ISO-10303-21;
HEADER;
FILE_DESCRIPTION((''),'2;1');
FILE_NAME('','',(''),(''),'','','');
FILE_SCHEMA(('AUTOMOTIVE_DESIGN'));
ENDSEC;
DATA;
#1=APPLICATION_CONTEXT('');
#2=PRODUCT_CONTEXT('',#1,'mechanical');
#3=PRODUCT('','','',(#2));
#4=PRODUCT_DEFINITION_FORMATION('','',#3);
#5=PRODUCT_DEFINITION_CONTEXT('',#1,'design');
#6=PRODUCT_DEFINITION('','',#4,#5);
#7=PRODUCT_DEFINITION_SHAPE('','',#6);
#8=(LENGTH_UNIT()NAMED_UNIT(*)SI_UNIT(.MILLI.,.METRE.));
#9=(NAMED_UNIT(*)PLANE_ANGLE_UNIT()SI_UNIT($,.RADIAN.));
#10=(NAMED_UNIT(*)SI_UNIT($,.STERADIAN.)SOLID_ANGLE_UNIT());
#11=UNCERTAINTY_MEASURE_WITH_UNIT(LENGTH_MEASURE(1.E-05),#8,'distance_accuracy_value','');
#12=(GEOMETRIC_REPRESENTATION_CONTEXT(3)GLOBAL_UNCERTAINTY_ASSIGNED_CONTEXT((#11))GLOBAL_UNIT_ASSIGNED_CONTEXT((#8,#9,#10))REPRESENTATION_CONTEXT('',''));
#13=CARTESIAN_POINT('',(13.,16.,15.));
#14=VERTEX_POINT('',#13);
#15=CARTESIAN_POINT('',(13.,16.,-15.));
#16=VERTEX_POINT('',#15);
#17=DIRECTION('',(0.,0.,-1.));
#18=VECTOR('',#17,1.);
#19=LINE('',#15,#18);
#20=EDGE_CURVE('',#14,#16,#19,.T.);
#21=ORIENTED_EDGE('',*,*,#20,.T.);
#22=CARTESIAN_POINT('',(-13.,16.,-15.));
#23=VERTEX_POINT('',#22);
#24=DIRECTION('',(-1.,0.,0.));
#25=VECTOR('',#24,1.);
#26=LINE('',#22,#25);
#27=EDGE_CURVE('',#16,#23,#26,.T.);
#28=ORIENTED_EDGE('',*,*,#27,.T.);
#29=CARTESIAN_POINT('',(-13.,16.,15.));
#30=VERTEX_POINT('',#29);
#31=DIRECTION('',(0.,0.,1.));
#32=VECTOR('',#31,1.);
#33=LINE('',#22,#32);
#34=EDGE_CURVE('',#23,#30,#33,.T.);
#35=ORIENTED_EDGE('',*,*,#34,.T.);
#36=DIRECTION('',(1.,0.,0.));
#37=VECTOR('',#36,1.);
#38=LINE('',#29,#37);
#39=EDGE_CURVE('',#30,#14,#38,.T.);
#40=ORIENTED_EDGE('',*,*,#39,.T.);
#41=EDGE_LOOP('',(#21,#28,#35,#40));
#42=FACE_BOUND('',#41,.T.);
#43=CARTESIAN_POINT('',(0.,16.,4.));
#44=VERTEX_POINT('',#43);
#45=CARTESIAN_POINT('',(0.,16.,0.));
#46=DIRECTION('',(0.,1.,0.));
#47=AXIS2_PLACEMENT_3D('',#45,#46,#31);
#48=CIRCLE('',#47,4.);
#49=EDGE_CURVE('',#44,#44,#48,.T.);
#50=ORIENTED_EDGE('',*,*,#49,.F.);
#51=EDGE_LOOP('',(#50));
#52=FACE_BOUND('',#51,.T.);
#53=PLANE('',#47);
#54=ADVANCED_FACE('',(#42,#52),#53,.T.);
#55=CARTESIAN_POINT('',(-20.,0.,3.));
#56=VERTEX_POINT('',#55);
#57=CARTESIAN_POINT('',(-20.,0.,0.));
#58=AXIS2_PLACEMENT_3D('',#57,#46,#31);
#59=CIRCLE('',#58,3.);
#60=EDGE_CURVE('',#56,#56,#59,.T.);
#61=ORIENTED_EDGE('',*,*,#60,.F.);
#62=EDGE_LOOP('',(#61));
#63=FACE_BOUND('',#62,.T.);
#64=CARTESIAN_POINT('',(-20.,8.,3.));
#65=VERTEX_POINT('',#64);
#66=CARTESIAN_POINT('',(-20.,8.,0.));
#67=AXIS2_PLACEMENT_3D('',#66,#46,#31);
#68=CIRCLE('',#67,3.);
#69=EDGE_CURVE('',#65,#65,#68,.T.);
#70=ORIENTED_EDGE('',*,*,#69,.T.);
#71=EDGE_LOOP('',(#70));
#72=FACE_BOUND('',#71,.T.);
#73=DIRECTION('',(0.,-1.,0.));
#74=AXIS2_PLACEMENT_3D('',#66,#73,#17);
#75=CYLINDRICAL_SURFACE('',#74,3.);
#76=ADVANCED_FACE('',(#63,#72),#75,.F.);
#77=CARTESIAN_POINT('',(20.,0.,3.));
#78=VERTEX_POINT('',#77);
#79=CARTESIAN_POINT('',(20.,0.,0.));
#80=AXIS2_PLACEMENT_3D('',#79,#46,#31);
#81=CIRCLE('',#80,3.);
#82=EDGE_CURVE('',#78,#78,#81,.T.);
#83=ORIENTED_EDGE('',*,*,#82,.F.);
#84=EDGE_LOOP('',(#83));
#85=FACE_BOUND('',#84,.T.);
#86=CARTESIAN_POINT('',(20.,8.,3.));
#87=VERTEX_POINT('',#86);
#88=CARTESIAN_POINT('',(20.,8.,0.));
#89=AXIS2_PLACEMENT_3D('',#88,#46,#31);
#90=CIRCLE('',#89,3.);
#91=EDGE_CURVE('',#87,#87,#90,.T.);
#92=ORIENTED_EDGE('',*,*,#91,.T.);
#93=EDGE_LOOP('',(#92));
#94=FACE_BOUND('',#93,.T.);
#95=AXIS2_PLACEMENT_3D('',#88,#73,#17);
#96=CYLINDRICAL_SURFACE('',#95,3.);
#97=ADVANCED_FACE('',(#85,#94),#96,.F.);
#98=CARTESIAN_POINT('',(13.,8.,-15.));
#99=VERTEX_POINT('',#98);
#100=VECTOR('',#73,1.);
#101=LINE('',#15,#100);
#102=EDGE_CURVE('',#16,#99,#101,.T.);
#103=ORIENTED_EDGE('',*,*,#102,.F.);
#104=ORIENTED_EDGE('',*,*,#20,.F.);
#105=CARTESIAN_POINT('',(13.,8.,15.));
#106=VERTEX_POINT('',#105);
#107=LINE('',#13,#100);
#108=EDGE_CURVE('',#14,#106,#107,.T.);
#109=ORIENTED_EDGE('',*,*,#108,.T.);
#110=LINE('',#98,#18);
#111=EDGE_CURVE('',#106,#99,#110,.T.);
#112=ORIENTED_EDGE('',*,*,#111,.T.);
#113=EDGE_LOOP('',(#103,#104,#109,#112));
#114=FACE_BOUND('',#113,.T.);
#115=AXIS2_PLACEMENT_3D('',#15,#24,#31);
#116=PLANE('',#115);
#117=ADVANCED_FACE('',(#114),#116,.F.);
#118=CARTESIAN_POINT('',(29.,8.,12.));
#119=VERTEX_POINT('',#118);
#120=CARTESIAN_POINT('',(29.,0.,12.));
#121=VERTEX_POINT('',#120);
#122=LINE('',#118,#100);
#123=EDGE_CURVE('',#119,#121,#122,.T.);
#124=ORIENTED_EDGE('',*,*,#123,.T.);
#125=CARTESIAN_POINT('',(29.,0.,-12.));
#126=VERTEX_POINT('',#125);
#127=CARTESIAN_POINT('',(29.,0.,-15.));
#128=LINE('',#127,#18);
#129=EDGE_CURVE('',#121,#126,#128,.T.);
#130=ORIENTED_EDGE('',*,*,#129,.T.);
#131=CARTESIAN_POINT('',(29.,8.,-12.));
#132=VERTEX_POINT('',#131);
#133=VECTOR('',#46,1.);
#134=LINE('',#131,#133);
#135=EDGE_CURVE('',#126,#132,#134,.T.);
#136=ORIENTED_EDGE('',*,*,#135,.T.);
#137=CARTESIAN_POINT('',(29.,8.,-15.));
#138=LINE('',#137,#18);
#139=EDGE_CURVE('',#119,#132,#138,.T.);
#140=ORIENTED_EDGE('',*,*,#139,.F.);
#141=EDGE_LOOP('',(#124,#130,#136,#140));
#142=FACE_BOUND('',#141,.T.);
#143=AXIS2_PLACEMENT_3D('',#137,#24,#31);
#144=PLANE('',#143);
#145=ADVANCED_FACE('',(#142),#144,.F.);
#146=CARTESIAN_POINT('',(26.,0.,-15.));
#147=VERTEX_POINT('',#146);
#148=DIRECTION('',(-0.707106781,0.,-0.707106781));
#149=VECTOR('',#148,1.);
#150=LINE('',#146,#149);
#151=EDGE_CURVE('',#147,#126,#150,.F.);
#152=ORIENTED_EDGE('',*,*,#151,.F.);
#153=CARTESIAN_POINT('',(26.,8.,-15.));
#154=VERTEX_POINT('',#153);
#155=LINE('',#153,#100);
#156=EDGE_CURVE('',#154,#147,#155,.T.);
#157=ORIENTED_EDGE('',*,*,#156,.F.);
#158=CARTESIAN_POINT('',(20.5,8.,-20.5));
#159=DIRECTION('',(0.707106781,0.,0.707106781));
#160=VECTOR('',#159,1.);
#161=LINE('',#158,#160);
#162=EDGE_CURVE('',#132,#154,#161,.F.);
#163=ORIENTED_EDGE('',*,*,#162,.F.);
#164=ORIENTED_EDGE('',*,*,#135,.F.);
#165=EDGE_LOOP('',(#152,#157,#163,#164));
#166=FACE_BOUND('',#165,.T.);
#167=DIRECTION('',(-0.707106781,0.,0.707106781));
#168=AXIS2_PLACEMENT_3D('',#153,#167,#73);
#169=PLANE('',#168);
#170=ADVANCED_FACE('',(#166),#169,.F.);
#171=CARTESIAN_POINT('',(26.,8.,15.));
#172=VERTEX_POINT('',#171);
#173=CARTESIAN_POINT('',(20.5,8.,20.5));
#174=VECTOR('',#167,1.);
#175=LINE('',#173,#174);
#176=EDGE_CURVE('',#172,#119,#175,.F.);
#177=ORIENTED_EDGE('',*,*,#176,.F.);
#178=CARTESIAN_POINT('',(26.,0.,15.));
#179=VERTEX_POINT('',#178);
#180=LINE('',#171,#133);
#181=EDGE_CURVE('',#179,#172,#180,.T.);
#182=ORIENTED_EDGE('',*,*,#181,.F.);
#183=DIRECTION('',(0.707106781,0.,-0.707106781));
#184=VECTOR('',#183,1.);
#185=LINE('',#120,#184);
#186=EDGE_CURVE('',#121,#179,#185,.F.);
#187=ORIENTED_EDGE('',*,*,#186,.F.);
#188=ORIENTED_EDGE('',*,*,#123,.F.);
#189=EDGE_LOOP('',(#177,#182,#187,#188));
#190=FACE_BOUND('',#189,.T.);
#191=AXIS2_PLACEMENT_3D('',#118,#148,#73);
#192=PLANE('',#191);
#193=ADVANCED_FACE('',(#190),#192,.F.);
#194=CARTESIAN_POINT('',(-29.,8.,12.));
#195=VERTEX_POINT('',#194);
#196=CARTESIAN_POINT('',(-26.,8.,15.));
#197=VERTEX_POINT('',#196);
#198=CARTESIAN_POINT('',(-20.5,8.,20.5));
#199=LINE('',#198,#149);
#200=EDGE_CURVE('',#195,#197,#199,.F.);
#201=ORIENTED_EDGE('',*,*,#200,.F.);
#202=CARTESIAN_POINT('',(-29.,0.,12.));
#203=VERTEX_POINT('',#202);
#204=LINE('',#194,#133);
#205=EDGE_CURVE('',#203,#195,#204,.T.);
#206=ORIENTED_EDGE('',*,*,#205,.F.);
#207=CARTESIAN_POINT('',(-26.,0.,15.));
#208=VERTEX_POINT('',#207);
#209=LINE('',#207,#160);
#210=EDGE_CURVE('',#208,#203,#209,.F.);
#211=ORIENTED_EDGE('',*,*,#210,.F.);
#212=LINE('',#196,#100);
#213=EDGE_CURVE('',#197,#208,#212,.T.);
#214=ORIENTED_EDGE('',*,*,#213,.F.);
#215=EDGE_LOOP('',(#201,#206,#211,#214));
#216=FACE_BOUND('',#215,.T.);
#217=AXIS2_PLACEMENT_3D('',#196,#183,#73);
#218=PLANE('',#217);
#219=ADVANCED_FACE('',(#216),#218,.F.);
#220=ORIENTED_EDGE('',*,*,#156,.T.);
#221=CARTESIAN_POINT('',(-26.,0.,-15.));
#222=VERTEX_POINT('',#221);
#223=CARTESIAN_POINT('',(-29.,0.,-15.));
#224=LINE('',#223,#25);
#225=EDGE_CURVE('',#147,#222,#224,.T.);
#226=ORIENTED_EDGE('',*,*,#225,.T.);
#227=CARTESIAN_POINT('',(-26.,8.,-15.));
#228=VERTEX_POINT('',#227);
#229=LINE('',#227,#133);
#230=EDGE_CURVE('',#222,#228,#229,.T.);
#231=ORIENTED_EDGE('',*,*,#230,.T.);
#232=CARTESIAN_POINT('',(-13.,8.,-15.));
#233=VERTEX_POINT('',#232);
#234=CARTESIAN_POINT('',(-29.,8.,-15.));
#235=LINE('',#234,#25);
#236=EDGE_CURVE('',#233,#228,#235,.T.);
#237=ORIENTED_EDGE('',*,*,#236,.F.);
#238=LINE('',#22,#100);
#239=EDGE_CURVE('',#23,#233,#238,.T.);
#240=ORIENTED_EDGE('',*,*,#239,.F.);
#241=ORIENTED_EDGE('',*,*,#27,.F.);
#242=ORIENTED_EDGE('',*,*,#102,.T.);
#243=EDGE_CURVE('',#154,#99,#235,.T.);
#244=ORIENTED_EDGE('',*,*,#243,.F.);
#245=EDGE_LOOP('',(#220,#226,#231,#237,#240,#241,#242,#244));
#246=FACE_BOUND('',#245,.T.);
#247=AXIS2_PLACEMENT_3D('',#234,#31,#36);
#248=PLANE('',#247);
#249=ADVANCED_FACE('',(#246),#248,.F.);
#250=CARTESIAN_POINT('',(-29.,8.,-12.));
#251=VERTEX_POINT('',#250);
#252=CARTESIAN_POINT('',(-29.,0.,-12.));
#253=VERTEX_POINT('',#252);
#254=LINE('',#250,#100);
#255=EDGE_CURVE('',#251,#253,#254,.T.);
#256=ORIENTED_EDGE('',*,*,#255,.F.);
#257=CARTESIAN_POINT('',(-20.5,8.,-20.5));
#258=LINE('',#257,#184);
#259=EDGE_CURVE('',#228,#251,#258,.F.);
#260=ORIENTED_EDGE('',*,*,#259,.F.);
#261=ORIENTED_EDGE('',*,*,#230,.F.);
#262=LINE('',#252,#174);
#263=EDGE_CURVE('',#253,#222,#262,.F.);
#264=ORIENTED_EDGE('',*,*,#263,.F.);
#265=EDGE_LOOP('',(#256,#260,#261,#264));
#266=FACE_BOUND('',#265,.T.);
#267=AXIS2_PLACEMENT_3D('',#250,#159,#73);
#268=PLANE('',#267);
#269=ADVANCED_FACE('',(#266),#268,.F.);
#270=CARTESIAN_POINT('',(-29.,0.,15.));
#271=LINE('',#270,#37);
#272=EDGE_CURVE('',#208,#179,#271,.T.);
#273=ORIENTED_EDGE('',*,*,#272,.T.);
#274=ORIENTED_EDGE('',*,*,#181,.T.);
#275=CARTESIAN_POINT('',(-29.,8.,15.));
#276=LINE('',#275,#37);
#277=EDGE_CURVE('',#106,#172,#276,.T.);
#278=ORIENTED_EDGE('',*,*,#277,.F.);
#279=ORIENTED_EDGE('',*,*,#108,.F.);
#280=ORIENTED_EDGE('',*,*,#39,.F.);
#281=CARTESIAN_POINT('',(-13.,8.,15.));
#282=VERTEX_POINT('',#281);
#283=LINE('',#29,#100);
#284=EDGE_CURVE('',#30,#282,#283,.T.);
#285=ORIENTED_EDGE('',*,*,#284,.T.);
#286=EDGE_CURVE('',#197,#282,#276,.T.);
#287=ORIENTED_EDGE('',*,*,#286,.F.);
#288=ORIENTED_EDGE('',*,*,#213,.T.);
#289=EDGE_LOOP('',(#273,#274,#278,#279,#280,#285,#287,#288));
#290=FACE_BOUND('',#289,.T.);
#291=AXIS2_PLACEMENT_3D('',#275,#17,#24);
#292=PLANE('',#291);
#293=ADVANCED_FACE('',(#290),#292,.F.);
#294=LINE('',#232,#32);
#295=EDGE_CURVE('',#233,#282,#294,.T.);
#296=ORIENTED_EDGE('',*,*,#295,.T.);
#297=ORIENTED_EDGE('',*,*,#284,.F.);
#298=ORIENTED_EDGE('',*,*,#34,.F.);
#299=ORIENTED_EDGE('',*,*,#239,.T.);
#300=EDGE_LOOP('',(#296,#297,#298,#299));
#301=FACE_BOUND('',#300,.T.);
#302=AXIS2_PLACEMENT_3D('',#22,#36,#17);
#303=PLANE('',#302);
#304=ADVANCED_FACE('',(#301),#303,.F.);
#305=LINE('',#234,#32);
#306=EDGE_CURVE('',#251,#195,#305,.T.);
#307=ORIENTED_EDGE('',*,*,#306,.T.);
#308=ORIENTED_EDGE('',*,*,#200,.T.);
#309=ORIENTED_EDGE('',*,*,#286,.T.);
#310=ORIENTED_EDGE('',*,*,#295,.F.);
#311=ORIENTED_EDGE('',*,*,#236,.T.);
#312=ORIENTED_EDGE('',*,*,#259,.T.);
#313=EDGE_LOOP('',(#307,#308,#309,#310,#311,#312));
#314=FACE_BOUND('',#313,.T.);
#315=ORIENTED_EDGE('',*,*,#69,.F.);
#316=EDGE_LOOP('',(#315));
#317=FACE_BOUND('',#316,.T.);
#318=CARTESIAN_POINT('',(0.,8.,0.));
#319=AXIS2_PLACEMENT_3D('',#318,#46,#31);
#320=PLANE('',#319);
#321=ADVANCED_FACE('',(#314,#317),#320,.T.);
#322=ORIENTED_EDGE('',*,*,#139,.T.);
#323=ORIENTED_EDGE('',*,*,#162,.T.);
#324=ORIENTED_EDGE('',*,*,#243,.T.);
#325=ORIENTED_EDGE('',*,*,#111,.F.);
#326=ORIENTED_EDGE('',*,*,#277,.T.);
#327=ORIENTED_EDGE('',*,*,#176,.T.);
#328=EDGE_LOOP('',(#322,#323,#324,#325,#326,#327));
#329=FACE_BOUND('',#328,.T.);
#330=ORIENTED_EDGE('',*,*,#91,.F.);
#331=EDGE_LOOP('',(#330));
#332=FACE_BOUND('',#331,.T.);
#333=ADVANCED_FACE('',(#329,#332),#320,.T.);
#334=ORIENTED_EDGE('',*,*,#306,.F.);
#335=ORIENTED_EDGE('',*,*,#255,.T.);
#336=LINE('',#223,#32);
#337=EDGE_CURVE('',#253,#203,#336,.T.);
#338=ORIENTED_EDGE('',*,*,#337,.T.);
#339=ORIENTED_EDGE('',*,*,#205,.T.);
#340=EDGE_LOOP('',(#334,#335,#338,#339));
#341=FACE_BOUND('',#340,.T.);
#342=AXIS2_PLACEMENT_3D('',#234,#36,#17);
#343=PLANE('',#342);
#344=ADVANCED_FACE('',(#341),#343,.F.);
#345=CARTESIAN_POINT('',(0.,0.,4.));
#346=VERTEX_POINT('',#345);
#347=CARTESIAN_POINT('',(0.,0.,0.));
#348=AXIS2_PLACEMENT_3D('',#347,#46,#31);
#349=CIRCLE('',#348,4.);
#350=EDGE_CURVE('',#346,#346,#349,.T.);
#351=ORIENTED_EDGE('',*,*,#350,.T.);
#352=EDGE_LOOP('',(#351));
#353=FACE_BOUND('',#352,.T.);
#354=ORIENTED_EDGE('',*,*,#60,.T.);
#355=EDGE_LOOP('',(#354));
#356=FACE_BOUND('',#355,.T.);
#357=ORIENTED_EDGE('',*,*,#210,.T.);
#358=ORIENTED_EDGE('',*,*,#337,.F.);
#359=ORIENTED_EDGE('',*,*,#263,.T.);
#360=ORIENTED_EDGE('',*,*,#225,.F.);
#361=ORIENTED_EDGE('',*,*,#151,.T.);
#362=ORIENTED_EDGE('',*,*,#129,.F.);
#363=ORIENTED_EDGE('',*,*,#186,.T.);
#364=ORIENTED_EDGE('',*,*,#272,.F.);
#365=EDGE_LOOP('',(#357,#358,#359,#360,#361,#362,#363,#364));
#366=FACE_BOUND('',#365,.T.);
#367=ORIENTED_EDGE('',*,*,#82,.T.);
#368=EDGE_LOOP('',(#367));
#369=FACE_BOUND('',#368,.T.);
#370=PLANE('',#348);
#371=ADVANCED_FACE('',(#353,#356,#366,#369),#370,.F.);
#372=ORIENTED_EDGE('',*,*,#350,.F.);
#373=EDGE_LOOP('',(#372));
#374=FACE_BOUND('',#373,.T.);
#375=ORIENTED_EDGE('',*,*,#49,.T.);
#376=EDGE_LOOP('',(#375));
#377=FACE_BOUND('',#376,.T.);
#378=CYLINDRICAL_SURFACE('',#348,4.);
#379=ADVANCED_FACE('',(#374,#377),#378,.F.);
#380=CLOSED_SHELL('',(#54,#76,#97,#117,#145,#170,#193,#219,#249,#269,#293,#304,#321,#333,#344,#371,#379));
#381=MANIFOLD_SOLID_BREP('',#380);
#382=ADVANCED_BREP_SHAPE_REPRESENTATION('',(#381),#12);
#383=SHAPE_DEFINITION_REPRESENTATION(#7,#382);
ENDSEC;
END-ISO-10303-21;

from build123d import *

# Parameters (mm, degrees)
SKETCH1_W           = 58
SKETCH1_H           = 30
SKETCH1_R           = 3
BOSS_EXTRUDE1_DEPTH = 8
SKETCH2_W           = 26
SKETCH2_H           = 30
BOSS_EXTRUDE2_DEPTH = 8
SKETCH3_R           = 4
CUT_EXTRUDE1_DEPTH  = 37.359317925
CHAMFER1_SIZE       = 3


with BuildPart() as part:
    # Sketch1 → Boss-Extrude1 (new body)
    with BuildSketch(Plane(origin=(0, 0, 0), x_dir=(1, 0, 0), z_dir=(0, 1, 0))):
        Rectangle(SKETCH1_W, SKETCH1_H)
        with Locations(Location((-20, 0, 0), (0, 0, 270))):
            Circle(SKETCH1_R, mode=Mode.SUBTRACT)
        with Locations(Location((20, 0, 0), (0, 0, 270))):
            Circle(SKETCH1_R, mode=Mode.SUBTRACT)
    extrude(amount=BOSS_EXTRUDE1_DEPTH)

    # Sketch2 → Boss-Extrude2 (add)
    with BuildSketch(Plane(origin=(0, 8, 0), x_dir=(1, 0, 0), z_dir=(0, 1, 0))):
        Rectangle(SKETCH2_W, SKETCH2_H)
    extrude(amount=BOSS_EXTRUDE2_DEPTH)

    # Sketch3 → Cut-Extrude1 (cut, through all)
    with BuildSketch(Plane(origin=(0, 16, 0), x_dir=(1, 0, 0), z_dir=(0, 1, 0))):
        with Locations(Location((0, 0, 0), (0, 0, 270))):
            Circle(SKETCH3_R)
    extrude(amount=-CUT_EXTRUDE1_DEPTH, mode=Mode.SUBTRACT)

    # Chamfer1
    chamfer1_edges = [part.edges().sort_by_distance(p)[0] for p in [
        (29, 4, 15),
        (-29, 4, 15),
        (-29, 4, -15),
        (29, 4, -15),
    ]]
    chamfer(chamfer1_edges, length=CHAMFER1_SIZE)


solid = part.part
